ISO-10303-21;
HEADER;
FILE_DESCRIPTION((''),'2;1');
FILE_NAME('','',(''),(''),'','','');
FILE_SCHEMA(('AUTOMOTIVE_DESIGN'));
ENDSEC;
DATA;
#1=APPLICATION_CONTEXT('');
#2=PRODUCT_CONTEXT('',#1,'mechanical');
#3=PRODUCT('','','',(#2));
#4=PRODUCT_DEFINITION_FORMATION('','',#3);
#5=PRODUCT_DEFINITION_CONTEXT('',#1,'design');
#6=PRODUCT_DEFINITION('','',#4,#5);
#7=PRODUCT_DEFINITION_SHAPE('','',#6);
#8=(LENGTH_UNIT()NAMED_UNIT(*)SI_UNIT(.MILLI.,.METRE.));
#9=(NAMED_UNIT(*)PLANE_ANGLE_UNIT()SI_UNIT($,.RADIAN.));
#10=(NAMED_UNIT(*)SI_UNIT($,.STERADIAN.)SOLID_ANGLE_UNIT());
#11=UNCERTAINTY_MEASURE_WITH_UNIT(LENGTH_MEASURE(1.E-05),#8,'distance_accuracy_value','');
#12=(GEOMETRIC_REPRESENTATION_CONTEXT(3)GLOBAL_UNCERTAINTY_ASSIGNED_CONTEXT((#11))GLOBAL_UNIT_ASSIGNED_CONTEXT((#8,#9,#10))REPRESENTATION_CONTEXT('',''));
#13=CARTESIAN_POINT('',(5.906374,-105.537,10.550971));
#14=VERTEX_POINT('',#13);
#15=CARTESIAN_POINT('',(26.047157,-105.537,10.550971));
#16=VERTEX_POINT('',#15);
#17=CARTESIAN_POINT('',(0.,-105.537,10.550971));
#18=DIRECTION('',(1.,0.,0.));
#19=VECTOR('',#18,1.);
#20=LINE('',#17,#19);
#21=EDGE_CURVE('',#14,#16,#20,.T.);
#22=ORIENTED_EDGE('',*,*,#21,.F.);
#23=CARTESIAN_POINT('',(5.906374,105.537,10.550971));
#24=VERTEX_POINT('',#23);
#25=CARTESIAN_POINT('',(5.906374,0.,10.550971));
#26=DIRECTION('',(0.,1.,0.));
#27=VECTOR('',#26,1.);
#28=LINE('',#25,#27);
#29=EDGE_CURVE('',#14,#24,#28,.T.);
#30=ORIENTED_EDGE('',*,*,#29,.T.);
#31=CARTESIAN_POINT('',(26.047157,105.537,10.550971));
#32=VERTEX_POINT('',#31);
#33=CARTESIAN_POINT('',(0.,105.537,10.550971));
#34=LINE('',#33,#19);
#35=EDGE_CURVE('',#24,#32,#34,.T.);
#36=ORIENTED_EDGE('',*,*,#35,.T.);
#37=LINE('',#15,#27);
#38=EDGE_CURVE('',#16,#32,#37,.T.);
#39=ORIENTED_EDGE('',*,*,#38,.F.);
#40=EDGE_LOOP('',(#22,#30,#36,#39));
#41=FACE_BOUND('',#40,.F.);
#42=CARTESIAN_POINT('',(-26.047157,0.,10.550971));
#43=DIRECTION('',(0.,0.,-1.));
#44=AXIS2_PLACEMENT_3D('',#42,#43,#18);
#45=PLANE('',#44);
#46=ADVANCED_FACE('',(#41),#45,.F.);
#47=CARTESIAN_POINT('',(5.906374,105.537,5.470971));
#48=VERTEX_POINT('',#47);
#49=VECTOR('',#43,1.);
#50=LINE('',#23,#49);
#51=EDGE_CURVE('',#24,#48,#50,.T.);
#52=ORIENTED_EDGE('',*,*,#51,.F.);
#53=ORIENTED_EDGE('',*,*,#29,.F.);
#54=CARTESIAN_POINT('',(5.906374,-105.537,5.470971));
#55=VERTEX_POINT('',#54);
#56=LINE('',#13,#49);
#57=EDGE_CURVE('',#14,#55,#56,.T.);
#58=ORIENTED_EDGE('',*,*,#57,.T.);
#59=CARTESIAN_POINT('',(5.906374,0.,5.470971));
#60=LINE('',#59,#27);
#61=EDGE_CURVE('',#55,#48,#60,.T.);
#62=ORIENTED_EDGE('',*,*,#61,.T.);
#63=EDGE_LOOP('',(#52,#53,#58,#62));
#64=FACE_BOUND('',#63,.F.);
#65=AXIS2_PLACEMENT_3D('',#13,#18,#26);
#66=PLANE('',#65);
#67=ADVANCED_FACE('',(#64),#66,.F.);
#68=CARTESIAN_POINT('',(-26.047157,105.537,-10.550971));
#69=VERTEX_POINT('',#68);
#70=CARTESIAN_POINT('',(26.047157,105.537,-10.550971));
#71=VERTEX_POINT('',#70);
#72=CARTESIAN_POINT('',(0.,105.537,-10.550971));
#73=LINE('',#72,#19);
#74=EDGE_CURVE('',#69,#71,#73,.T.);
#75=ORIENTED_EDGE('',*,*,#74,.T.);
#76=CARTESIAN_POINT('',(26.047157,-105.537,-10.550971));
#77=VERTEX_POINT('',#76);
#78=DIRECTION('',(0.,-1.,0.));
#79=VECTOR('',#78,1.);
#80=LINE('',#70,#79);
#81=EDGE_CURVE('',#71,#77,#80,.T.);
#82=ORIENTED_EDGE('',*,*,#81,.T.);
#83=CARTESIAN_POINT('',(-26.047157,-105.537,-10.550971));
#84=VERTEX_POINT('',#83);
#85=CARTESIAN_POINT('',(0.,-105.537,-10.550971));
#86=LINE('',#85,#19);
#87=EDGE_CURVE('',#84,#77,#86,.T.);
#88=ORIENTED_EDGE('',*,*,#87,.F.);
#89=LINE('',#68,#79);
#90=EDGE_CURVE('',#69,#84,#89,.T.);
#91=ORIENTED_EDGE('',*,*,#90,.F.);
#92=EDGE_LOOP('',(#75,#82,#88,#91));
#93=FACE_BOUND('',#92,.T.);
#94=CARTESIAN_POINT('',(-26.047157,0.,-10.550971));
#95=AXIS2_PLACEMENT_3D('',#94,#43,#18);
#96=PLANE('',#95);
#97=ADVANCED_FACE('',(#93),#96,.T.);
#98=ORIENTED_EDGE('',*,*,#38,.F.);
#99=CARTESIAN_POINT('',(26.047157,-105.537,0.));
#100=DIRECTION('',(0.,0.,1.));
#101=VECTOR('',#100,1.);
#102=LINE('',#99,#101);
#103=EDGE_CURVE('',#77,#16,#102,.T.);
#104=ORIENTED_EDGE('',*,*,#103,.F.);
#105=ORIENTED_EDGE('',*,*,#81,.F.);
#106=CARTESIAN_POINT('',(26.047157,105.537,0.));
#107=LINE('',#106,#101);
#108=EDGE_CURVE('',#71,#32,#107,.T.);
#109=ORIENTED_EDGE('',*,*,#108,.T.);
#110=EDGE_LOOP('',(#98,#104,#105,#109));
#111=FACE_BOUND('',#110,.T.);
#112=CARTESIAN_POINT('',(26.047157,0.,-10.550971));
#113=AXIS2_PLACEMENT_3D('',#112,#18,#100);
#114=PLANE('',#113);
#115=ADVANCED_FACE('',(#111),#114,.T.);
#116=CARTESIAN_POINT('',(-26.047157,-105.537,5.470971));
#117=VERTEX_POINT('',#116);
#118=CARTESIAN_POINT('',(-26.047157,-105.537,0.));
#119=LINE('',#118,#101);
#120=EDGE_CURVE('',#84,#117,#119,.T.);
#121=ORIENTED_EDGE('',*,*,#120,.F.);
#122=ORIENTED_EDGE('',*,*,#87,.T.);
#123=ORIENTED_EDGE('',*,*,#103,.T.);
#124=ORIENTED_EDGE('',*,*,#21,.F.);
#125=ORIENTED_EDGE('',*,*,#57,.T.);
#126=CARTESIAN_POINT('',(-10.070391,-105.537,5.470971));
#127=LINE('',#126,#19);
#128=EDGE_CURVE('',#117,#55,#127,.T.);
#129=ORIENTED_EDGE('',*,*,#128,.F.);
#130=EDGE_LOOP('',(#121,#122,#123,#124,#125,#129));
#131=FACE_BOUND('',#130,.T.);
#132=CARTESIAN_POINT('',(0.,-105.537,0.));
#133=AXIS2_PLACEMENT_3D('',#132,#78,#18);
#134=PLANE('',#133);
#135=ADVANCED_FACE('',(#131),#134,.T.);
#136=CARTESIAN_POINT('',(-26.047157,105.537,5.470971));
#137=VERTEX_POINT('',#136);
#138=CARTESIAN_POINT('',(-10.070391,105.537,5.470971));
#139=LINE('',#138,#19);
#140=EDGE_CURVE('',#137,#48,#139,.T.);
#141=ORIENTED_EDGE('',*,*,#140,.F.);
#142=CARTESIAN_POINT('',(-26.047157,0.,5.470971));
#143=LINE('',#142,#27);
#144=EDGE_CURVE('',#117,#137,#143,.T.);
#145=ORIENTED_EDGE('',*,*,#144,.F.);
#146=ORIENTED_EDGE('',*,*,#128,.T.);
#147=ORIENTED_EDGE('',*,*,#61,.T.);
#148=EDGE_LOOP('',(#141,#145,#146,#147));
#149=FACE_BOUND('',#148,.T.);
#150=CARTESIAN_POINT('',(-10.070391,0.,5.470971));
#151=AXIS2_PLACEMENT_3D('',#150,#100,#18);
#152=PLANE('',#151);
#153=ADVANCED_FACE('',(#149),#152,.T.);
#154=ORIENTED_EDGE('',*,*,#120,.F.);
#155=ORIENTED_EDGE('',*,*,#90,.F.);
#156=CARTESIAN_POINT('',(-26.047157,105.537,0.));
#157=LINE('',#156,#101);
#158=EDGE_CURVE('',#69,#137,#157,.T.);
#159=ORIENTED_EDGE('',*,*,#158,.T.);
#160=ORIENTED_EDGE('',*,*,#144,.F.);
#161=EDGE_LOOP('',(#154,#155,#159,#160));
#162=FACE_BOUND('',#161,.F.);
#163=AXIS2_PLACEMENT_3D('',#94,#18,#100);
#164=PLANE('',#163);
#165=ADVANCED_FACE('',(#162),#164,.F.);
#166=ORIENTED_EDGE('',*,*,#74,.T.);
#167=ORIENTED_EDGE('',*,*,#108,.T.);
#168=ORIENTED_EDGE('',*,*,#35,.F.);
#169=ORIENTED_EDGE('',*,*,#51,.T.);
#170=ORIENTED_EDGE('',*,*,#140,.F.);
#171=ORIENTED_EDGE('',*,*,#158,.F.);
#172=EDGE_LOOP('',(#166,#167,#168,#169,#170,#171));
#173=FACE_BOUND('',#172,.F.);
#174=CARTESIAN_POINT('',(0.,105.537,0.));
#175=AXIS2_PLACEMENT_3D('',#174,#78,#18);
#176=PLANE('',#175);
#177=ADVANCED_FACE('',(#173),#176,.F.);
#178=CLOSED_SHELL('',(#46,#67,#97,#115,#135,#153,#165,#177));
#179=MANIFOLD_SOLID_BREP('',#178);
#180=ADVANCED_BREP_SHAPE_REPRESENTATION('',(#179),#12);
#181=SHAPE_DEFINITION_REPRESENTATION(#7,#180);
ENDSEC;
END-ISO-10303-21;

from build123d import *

# Parameters (mm, degrees)
F0_W     = 52.0943142474
F0_H     = 21.1019426874
F1_DEPTH = 105.537
F2_W     = 31.9535313174
F2_H     = 211.074
F3_DEPTH = 5.08


with BuildPart() as f1:
    # F0 (on Front) → F1 (new body, symmetric)
    with BuildSketch(Plane.XZ):
        Rectangle(F0_W, F0_H)
    extrude(amount=F1_DEPTH, both=True)

    # F2 (on face) → F3 (cut)
    with BuildSketch(Plane.XY.offset(10.5509713437)):
        with Locations((-10.070391465, 0)):
            Rectangle(F2_W, F2_H)
    extrude(amount=-F3_DEPTH, mode=Mode.SUBTRACT)


solid = f1.part
